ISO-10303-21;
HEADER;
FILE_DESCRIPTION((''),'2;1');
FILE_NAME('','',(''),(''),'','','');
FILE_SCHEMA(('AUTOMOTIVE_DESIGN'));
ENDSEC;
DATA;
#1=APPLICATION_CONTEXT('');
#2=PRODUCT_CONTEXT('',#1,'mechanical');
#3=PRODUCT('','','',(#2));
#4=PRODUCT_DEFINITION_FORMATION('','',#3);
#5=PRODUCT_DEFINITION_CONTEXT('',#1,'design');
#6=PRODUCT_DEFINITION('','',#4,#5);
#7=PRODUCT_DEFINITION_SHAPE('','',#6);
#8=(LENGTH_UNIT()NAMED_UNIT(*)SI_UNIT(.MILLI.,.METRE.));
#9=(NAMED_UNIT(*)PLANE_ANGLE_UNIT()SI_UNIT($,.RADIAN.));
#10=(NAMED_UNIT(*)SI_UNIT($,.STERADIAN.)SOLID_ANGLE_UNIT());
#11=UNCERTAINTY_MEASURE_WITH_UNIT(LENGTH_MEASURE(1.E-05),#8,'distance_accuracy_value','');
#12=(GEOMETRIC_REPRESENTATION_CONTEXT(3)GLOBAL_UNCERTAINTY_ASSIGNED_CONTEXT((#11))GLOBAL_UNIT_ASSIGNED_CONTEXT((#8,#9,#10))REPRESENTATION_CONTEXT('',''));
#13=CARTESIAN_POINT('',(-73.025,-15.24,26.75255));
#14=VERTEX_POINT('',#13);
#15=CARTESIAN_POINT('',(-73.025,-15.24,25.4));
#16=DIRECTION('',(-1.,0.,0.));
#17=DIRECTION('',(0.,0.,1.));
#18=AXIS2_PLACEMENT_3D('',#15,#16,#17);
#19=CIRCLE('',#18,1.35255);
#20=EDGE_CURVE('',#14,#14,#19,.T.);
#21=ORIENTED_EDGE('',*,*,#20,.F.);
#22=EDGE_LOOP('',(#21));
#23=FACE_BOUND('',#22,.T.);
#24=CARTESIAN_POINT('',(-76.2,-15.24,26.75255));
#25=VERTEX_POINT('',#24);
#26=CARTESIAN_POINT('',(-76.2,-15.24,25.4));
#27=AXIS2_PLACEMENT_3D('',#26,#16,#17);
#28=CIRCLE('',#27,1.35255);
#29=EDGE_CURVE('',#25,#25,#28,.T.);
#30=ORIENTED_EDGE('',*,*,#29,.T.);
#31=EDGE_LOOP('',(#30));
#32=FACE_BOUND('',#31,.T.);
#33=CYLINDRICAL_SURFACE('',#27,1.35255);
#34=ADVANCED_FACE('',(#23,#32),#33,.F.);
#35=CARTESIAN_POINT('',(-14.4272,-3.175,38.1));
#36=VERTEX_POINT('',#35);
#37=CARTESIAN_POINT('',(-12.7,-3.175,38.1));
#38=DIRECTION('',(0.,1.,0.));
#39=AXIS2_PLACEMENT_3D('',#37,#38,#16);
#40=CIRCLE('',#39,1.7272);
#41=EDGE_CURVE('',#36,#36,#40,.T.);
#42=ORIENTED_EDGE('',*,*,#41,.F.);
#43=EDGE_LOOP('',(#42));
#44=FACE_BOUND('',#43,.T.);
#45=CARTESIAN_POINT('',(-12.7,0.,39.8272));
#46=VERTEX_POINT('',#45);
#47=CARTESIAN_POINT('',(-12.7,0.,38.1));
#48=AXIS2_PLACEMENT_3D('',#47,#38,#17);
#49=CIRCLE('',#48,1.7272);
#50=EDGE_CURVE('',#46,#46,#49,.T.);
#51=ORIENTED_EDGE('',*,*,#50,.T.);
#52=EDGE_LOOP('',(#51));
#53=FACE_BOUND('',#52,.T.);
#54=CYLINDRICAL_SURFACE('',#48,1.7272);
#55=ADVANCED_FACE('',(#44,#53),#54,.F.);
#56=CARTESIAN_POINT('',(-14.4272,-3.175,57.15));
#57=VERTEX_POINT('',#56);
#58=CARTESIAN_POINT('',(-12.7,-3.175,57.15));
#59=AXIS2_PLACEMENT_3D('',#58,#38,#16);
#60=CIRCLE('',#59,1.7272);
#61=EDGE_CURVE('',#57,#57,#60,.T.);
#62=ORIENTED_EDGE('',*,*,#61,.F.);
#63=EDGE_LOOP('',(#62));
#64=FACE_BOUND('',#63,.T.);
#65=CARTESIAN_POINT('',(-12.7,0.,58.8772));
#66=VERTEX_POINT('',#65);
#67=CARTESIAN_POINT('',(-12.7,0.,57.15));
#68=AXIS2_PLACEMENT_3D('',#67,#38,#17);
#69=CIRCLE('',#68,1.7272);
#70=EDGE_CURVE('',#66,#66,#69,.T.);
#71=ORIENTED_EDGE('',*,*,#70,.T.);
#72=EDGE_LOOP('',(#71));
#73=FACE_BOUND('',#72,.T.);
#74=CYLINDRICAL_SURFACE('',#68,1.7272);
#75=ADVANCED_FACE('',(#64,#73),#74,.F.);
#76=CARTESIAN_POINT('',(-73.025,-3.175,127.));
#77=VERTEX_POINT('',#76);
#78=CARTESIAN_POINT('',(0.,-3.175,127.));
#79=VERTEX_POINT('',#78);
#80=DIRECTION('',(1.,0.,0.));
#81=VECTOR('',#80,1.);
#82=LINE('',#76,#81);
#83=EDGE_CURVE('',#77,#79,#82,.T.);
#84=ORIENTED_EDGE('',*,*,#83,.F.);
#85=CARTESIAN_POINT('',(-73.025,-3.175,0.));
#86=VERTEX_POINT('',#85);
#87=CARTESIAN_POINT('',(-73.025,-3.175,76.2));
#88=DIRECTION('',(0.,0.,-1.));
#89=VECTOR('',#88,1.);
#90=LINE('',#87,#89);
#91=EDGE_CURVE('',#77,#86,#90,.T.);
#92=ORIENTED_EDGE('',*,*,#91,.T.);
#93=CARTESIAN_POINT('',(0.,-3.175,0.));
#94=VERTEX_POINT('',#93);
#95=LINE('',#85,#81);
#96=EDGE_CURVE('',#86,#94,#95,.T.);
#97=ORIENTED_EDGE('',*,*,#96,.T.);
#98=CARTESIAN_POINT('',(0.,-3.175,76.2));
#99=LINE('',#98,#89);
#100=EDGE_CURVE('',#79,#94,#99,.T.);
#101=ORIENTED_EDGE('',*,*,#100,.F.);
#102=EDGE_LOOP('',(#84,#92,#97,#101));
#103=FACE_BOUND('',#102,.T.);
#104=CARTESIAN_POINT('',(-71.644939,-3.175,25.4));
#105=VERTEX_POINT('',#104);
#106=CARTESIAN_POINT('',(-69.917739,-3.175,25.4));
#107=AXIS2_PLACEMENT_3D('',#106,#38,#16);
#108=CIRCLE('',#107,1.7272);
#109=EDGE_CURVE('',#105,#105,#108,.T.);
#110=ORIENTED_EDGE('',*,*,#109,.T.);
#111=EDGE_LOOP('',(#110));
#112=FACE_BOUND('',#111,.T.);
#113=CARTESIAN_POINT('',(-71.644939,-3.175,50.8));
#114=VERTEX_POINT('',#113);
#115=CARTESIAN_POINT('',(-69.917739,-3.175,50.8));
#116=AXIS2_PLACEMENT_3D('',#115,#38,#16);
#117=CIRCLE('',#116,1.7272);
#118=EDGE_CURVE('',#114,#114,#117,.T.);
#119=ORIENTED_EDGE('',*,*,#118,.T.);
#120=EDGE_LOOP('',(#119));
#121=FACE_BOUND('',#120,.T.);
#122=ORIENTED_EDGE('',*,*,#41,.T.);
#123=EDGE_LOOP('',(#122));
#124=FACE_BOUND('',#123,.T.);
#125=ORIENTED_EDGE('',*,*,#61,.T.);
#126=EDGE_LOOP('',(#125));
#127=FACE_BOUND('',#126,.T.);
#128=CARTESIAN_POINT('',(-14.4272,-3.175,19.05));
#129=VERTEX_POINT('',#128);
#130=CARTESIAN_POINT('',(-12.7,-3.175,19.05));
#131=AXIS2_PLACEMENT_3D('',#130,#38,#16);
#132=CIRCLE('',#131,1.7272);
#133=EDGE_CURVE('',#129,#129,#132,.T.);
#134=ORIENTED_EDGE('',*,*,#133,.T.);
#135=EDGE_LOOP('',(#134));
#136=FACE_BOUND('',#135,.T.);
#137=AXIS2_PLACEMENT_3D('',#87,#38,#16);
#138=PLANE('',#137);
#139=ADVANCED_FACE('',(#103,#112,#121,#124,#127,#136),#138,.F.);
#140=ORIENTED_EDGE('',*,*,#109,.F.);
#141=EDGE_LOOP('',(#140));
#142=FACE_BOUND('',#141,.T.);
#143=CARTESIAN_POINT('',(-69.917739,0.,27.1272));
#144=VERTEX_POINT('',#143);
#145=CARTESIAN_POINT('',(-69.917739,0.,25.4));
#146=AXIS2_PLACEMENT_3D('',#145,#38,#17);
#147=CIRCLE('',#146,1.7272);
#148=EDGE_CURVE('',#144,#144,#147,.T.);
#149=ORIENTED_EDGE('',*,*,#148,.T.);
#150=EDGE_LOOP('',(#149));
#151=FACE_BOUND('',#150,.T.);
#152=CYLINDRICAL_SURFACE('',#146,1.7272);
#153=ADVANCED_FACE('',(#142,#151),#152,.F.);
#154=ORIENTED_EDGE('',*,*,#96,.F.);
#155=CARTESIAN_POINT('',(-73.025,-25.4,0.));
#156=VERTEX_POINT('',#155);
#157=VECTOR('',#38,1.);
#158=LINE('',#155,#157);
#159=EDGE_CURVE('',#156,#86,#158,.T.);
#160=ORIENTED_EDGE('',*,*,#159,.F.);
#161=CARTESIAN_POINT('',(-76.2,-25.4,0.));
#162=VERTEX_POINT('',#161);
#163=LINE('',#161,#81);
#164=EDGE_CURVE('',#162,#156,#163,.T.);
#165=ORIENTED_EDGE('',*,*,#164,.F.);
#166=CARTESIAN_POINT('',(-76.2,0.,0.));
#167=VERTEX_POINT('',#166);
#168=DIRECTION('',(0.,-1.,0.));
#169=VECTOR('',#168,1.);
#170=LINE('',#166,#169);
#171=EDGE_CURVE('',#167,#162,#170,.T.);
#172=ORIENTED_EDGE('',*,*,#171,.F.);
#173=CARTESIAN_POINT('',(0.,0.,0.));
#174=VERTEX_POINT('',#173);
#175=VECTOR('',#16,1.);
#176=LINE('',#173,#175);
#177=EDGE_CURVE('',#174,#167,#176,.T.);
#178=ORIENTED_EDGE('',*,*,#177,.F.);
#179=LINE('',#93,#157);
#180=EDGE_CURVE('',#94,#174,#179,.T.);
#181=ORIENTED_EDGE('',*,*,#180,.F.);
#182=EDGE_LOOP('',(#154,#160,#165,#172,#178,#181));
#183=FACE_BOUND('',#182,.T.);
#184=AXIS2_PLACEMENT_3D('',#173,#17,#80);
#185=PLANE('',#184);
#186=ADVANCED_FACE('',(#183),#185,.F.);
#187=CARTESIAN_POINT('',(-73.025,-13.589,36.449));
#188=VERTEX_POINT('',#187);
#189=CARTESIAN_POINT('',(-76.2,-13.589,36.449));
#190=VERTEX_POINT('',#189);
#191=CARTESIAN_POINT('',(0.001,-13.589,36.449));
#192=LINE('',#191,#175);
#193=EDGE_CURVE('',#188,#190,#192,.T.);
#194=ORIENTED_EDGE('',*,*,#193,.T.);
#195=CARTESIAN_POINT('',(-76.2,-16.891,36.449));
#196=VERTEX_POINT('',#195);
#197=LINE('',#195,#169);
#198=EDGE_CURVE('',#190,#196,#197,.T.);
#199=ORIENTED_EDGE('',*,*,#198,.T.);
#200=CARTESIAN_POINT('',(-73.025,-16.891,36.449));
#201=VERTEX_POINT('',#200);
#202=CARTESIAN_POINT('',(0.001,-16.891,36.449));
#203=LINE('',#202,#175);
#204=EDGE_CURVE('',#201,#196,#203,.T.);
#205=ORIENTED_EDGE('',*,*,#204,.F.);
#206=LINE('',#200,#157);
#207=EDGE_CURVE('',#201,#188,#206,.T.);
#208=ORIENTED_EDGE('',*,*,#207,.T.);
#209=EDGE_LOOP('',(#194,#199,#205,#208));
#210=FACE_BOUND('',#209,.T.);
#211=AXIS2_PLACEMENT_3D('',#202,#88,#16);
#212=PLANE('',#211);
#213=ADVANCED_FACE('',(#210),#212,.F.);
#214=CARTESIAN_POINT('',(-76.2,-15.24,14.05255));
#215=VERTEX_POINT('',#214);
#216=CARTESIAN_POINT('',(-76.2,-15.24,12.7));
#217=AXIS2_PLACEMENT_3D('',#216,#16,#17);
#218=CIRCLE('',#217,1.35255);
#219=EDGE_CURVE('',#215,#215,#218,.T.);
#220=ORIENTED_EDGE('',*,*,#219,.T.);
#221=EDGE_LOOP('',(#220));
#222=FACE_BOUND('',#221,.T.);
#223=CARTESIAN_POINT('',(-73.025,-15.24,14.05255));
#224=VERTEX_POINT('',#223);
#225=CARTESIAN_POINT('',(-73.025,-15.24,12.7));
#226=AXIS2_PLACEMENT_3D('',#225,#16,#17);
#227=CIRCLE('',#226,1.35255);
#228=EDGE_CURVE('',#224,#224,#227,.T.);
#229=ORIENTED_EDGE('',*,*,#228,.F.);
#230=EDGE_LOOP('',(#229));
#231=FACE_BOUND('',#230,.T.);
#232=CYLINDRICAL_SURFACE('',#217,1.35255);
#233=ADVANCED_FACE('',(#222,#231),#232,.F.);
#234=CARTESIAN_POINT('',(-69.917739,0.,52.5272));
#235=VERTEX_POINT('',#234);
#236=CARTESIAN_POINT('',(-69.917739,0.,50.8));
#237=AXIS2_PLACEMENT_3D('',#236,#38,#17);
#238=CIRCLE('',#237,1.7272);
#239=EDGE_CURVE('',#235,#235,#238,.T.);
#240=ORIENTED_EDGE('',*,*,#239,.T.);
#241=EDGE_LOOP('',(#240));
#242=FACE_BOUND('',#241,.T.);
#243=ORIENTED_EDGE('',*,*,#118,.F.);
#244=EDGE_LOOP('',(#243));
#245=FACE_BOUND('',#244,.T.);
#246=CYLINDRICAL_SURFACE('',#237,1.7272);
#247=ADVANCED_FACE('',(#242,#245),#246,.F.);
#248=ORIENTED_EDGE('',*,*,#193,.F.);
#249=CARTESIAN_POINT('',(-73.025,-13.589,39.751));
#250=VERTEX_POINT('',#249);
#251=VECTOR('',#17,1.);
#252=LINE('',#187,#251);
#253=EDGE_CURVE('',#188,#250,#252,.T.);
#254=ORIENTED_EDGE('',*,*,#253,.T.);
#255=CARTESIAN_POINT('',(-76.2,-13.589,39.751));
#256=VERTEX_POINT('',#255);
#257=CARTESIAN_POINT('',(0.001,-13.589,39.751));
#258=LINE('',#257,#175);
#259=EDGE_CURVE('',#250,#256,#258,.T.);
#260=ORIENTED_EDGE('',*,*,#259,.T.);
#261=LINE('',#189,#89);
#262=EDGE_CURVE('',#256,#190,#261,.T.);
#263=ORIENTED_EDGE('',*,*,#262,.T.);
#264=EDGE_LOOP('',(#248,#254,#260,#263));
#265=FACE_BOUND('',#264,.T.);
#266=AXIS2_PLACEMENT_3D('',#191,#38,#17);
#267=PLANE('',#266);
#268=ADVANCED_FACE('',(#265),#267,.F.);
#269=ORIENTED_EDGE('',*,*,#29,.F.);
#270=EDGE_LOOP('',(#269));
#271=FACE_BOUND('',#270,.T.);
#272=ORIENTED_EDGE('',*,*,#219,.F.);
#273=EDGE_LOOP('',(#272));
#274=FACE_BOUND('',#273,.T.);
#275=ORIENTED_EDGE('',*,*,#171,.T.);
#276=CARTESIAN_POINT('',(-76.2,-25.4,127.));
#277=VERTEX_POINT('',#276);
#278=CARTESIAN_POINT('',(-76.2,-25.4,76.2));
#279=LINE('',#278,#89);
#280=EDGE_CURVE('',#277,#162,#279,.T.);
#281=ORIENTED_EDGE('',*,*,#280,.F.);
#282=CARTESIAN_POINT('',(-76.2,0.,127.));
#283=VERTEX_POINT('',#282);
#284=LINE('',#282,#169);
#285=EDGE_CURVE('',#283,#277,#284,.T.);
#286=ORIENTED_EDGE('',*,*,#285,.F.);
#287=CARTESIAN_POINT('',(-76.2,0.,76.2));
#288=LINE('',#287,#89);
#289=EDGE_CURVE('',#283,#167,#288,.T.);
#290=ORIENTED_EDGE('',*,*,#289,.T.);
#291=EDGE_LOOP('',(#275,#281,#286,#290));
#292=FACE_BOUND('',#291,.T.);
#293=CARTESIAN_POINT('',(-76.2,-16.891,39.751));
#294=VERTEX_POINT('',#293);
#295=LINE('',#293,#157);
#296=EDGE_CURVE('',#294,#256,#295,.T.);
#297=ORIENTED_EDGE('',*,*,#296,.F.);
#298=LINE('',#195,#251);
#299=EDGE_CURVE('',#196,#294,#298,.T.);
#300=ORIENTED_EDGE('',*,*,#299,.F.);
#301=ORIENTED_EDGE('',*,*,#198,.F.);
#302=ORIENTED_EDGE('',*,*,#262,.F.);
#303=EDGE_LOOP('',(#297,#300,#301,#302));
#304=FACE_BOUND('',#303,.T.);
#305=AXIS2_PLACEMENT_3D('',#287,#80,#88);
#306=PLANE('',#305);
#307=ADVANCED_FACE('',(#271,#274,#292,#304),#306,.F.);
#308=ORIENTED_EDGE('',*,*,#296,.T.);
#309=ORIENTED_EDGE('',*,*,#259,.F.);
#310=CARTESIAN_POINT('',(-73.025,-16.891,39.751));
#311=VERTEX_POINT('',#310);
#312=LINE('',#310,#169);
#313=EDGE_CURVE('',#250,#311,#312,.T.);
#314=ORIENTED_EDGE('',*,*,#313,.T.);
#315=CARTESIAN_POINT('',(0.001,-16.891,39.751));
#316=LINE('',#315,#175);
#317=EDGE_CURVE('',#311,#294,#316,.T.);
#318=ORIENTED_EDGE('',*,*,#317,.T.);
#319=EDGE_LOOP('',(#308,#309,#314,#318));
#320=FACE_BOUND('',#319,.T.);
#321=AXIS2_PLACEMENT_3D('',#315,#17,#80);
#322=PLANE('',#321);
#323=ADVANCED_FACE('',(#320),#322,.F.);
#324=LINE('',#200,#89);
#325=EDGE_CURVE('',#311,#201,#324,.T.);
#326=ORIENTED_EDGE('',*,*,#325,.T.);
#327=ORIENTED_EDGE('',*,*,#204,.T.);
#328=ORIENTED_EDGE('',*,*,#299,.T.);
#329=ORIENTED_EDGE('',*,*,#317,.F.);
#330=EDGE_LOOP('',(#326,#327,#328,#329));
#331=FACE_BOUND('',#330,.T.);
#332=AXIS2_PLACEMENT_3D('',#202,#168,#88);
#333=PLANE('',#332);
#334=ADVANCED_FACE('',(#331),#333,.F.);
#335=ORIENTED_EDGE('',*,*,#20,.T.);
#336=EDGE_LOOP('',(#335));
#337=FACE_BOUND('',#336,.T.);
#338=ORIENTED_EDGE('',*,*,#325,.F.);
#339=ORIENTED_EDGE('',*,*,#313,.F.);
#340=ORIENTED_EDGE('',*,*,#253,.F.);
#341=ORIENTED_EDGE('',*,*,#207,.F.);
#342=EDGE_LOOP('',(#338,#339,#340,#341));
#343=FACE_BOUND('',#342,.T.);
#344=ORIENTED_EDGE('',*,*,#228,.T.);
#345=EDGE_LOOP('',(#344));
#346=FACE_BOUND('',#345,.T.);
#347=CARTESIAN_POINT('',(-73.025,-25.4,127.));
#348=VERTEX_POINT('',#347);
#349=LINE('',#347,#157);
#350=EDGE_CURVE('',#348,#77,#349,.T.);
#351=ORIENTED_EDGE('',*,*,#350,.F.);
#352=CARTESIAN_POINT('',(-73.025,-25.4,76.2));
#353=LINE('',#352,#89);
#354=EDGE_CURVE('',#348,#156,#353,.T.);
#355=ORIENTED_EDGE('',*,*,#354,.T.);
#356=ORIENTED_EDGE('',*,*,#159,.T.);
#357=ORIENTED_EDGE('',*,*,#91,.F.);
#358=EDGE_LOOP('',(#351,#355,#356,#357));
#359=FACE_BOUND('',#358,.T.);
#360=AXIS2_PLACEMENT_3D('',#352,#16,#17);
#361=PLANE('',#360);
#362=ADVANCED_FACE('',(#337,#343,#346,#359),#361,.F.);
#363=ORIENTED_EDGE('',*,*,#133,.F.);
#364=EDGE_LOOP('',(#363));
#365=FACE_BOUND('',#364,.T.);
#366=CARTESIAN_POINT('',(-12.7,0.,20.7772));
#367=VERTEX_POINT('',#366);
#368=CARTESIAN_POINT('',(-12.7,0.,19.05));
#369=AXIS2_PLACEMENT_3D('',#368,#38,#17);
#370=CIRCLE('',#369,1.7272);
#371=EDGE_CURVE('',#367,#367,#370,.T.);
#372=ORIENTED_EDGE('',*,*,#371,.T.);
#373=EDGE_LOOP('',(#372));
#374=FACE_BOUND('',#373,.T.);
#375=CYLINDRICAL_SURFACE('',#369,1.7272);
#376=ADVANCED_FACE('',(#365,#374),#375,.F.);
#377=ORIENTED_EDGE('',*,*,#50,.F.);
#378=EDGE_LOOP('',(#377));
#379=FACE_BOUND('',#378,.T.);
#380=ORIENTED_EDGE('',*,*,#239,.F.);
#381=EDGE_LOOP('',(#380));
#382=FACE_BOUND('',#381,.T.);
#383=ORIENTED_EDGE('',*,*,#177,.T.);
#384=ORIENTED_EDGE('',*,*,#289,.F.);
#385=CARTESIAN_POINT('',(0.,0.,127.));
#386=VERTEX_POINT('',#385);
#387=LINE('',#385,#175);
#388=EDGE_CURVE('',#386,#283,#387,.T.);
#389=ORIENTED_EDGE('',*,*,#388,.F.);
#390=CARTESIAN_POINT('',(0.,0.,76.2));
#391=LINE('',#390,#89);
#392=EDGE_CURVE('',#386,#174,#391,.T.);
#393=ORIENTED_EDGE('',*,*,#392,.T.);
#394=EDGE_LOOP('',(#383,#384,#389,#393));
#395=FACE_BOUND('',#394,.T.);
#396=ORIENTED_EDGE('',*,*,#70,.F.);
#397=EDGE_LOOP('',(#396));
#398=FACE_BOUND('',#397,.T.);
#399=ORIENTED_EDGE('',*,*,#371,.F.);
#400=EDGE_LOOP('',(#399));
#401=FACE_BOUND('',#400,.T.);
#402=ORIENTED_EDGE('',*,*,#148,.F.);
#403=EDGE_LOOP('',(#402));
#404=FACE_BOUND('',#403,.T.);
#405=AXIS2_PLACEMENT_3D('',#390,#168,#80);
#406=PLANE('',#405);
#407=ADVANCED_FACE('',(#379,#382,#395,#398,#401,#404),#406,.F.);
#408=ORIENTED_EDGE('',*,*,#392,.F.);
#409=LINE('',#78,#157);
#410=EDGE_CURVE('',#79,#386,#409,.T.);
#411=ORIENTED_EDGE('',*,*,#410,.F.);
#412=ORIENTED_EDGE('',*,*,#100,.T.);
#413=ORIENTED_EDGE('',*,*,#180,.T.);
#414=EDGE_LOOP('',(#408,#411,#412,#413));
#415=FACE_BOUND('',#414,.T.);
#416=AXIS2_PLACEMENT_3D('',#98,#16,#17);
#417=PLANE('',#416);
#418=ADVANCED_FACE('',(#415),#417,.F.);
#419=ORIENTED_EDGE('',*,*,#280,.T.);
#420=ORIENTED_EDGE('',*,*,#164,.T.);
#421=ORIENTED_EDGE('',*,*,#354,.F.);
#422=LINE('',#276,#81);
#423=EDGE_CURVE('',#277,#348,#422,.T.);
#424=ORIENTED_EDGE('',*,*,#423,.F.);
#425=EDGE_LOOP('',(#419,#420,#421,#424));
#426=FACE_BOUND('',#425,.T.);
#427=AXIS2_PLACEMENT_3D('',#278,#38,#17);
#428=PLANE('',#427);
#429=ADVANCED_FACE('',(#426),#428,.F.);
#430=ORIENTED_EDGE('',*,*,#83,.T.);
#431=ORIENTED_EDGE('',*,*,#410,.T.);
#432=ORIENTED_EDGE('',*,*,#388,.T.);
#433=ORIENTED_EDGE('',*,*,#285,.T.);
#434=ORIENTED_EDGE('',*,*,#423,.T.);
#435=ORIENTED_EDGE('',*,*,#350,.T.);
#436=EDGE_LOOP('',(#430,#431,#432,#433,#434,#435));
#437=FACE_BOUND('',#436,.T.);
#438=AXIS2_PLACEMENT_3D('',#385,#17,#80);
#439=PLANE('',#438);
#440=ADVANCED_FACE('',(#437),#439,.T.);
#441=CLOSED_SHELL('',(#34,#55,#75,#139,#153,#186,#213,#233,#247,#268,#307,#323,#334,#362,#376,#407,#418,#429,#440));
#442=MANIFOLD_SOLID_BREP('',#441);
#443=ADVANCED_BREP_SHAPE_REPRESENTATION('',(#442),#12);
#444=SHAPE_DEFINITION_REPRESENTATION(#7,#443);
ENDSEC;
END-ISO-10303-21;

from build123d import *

# Parameters (mm, degrees)
BOSS_EXTRUDE1_DEPTH       = 76.2
TAP_DRILL_FOR_6_32_TAP1_D = 2.7051
TAP_DRILL_FOR_8_32_TAP1_D = 3.4544
CUT_EXTRUDE1_REACH        = 112.716
SKETCH8_W                 = 3.302
SKETCH8_H                 = 3.302
TAP_DRILL_FOR_8_32_TAP2_D = 3.4544
BOSS_EXTRUDE2_DEPTH       = 50.8


with BuildPart() as part:
    # Sketch2 → Boss-Extrude1 (new body)
    with BuildSketch(Plane.XY):
        Polygon((0, 0), (-76.2, 0), (-76.2, -25.4), (-73.025, -25.4), (-73.025, -3.175), (0, -3.175), align=None)
    extrude(amount=BOSS_EXTRUDE1_DEPTH)

    # Tap Drill for #6-32 Tap1 (through all)
    with Locations(Plane.ZY.offset(76.2)):
        with Locations((25.4, -15.24), (12.7, -15.24)):
            Hole(TAP_DRILL_FOR_6_32_TAP1_D / 2)

    # Tap Drill for #8-32 Tap1 (through all)
    with Locations(Plane(origin=(0, 0, 0), x_dir=(1, 0, 0), z_dir=(0, 1, 0))):
        with Locations((-69.917738612, -25.4), (-69.917738612, -50.8)):
            Hole(TAP_DRILL_FOR_8_32_TAP1_D / 2)

    # Sketch8 → Cut-Extrude1 (cut, up to next)
    with BuildSketch(Plane.ZY.offset(76.2), mode=Mode.PRIVATE) as cut_extrude1_sk1:
        with Locations((38.1, -15.24)):
            Rectangle(SKETCH8_W, SKETCH8_H)
    cut_extrude1_tool1 = extrude(cut_extrude1_sk1.sketch, amount=-CUT_EXTRUDE1_REACH, mode=Mode.PRIVATE) & part.part
    add(cut_extrude1_tool1.solids().sort_by_distance((-76.2, -15.24, 38.1))[0], mode=Mode.SUBTRACT)

    # Tap Drill for #8-32 Tap2 (through all)
    with Locations(Plane(origin=(0, 0, 0), x_dir=(1, 0, 0), z_dir=(0, 1, 0))):
        with Locations((-12.7, -19.05), (-12.7, -38.1), (-12.7, -57.15)):
            Hole(TAP_DRILL_FOR_8_32_TAP2_D / 2)

    # Sketch11 → Boss-Extrude2 (add)
    with BuildSketch(Plane.XY.offset(76.2)):
        Polygon((-76.2, 0), (-76.2, -25.4), (-73.025, -25.4), (-73.025, -3.175), (0, -3.175), (0, 0), align=None)
    extrude(amount=BOSS_EXTRUDE2_DEPTH)


solid = part.part
